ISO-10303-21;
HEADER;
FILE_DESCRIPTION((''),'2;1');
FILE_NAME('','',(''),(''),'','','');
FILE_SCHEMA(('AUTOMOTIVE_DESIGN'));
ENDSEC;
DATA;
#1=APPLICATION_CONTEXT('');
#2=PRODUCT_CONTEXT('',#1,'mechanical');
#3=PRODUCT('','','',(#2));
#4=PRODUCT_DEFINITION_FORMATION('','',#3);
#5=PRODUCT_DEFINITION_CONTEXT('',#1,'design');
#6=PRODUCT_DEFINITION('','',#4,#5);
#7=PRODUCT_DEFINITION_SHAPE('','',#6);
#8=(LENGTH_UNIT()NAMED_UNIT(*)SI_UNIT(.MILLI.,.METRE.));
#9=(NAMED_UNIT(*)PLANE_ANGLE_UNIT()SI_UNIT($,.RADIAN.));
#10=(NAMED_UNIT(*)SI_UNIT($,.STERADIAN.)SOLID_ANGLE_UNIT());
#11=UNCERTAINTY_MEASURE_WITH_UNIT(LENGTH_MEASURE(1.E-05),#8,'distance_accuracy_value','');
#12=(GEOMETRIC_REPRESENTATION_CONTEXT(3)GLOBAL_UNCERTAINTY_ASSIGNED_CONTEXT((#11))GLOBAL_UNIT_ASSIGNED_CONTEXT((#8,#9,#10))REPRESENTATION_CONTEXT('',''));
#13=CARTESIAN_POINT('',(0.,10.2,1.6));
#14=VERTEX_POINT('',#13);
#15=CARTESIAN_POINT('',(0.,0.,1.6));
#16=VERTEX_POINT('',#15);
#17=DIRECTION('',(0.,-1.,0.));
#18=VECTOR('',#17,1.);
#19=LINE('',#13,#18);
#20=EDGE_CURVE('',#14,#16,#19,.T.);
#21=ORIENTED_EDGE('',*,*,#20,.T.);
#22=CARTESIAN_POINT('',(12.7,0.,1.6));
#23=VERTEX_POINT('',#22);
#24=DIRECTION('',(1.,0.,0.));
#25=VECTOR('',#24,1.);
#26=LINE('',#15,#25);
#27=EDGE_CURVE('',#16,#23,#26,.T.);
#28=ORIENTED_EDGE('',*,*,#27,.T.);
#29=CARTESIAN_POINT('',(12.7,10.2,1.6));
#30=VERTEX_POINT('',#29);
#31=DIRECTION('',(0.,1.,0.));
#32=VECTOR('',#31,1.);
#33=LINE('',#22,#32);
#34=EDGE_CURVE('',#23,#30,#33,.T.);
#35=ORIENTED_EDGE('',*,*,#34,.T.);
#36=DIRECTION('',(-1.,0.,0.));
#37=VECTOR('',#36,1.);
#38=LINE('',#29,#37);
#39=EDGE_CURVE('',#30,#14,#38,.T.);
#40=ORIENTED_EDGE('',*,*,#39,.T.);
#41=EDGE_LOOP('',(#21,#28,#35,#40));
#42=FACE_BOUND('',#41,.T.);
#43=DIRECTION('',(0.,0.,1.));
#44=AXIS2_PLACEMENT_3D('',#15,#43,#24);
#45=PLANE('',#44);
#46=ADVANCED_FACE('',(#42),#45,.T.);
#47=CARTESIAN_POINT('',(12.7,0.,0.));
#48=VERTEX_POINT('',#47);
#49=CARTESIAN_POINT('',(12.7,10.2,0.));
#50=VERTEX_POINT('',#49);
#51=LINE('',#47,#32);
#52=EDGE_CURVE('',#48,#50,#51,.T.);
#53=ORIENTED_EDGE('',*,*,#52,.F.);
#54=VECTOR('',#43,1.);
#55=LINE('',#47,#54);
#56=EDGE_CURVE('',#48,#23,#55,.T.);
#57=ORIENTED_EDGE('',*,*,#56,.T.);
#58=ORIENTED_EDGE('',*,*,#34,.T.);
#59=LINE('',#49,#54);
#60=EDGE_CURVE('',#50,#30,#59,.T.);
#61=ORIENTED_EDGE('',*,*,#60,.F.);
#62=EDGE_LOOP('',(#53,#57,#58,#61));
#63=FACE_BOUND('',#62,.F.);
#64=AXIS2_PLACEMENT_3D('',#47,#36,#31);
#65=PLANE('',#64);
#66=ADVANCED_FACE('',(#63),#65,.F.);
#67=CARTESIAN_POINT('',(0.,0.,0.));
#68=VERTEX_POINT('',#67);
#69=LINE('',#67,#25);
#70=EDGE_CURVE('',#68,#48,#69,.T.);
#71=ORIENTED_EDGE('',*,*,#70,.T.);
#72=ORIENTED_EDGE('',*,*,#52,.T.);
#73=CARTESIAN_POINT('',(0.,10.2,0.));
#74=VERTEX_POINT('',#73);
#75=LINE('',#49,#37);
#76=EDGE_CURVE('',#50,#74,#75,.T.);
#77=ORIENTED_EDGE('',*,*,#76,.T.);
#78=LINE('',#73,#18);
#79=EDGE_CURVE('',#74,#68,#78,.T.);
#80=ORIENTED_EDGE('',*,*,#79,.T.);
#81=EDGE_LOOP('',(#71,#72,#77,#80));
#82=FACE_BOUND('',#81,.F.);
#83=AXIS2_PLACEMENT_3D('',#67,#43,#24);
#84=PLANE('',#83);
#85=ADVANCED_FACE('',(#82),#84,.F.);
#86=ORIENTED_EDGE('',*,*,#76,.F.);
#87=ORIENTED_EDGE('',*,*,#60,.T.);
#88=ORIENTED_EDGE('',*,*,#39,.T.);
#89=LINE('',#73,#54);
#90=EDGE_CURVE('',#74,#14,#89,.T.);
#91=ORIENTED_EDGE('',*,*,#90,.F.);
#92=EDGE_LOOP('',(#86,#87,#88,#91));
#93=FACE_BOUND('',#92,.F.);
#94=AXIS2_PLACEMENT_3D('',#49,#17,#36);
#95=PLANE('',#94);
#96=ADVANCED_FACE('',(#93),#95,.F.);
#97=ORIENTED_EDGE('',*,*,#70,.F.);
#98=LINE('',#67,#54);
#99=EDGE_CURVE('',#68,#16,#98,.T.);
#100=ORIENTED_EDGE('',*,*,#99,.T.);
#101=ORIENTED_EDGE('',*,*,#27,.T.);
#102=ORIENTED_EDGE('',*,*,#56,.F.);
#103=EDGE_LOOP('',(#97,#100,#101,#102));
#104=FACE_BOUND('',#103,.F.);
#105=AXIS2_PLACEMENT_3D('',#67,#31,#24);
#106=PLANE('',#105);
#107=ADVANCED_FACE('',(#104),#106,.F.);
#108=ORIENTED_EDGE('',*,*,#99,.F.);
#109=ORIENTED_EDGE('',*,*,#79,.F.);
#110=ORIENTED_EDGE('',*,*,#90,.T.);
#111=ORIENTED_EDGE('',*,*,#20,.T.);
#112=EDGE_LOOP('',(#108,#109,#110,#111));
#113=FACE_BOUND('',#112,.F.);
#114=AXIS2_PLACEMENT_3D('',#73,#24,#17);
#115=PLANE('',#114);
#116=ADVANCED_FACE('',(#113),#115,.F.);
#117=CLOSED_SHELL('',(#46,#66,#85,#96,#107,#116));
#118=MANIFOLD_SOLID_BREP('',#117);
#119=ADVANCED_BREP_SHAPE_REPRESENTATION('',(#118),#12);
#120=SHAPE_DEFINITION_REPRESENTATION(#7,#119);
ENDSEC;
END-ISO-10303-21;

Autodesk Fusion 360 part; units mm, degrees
sketch "Szkic1" plane through (0, 0, 0) normal (0, 0, 1) x (1, 0, 0)
  line L0 (0, 0) -> (12.7, 0)
  line L1 (12.7, 0) -> (12.7, 10.2)
  line L2 (12.7, 10.2) -> (0, 10.2)
  line L3 (0, 10.2) -> (0, 0)
  dimension "d1" = 12.7
  dimension "d2" = 10.2
extrude "Wyciągnięcie proste1" add sketch "Szkic1" along normal blind 1.6 makes body 1
copy_body "Bryła->Komponent1" bodies 1 removing the originals makes body 2 in component "Component"
component "Component" placed x (1, 0, 0) y (0, 1, 0) z (0, 0, 1) at (0, 0, 0)
